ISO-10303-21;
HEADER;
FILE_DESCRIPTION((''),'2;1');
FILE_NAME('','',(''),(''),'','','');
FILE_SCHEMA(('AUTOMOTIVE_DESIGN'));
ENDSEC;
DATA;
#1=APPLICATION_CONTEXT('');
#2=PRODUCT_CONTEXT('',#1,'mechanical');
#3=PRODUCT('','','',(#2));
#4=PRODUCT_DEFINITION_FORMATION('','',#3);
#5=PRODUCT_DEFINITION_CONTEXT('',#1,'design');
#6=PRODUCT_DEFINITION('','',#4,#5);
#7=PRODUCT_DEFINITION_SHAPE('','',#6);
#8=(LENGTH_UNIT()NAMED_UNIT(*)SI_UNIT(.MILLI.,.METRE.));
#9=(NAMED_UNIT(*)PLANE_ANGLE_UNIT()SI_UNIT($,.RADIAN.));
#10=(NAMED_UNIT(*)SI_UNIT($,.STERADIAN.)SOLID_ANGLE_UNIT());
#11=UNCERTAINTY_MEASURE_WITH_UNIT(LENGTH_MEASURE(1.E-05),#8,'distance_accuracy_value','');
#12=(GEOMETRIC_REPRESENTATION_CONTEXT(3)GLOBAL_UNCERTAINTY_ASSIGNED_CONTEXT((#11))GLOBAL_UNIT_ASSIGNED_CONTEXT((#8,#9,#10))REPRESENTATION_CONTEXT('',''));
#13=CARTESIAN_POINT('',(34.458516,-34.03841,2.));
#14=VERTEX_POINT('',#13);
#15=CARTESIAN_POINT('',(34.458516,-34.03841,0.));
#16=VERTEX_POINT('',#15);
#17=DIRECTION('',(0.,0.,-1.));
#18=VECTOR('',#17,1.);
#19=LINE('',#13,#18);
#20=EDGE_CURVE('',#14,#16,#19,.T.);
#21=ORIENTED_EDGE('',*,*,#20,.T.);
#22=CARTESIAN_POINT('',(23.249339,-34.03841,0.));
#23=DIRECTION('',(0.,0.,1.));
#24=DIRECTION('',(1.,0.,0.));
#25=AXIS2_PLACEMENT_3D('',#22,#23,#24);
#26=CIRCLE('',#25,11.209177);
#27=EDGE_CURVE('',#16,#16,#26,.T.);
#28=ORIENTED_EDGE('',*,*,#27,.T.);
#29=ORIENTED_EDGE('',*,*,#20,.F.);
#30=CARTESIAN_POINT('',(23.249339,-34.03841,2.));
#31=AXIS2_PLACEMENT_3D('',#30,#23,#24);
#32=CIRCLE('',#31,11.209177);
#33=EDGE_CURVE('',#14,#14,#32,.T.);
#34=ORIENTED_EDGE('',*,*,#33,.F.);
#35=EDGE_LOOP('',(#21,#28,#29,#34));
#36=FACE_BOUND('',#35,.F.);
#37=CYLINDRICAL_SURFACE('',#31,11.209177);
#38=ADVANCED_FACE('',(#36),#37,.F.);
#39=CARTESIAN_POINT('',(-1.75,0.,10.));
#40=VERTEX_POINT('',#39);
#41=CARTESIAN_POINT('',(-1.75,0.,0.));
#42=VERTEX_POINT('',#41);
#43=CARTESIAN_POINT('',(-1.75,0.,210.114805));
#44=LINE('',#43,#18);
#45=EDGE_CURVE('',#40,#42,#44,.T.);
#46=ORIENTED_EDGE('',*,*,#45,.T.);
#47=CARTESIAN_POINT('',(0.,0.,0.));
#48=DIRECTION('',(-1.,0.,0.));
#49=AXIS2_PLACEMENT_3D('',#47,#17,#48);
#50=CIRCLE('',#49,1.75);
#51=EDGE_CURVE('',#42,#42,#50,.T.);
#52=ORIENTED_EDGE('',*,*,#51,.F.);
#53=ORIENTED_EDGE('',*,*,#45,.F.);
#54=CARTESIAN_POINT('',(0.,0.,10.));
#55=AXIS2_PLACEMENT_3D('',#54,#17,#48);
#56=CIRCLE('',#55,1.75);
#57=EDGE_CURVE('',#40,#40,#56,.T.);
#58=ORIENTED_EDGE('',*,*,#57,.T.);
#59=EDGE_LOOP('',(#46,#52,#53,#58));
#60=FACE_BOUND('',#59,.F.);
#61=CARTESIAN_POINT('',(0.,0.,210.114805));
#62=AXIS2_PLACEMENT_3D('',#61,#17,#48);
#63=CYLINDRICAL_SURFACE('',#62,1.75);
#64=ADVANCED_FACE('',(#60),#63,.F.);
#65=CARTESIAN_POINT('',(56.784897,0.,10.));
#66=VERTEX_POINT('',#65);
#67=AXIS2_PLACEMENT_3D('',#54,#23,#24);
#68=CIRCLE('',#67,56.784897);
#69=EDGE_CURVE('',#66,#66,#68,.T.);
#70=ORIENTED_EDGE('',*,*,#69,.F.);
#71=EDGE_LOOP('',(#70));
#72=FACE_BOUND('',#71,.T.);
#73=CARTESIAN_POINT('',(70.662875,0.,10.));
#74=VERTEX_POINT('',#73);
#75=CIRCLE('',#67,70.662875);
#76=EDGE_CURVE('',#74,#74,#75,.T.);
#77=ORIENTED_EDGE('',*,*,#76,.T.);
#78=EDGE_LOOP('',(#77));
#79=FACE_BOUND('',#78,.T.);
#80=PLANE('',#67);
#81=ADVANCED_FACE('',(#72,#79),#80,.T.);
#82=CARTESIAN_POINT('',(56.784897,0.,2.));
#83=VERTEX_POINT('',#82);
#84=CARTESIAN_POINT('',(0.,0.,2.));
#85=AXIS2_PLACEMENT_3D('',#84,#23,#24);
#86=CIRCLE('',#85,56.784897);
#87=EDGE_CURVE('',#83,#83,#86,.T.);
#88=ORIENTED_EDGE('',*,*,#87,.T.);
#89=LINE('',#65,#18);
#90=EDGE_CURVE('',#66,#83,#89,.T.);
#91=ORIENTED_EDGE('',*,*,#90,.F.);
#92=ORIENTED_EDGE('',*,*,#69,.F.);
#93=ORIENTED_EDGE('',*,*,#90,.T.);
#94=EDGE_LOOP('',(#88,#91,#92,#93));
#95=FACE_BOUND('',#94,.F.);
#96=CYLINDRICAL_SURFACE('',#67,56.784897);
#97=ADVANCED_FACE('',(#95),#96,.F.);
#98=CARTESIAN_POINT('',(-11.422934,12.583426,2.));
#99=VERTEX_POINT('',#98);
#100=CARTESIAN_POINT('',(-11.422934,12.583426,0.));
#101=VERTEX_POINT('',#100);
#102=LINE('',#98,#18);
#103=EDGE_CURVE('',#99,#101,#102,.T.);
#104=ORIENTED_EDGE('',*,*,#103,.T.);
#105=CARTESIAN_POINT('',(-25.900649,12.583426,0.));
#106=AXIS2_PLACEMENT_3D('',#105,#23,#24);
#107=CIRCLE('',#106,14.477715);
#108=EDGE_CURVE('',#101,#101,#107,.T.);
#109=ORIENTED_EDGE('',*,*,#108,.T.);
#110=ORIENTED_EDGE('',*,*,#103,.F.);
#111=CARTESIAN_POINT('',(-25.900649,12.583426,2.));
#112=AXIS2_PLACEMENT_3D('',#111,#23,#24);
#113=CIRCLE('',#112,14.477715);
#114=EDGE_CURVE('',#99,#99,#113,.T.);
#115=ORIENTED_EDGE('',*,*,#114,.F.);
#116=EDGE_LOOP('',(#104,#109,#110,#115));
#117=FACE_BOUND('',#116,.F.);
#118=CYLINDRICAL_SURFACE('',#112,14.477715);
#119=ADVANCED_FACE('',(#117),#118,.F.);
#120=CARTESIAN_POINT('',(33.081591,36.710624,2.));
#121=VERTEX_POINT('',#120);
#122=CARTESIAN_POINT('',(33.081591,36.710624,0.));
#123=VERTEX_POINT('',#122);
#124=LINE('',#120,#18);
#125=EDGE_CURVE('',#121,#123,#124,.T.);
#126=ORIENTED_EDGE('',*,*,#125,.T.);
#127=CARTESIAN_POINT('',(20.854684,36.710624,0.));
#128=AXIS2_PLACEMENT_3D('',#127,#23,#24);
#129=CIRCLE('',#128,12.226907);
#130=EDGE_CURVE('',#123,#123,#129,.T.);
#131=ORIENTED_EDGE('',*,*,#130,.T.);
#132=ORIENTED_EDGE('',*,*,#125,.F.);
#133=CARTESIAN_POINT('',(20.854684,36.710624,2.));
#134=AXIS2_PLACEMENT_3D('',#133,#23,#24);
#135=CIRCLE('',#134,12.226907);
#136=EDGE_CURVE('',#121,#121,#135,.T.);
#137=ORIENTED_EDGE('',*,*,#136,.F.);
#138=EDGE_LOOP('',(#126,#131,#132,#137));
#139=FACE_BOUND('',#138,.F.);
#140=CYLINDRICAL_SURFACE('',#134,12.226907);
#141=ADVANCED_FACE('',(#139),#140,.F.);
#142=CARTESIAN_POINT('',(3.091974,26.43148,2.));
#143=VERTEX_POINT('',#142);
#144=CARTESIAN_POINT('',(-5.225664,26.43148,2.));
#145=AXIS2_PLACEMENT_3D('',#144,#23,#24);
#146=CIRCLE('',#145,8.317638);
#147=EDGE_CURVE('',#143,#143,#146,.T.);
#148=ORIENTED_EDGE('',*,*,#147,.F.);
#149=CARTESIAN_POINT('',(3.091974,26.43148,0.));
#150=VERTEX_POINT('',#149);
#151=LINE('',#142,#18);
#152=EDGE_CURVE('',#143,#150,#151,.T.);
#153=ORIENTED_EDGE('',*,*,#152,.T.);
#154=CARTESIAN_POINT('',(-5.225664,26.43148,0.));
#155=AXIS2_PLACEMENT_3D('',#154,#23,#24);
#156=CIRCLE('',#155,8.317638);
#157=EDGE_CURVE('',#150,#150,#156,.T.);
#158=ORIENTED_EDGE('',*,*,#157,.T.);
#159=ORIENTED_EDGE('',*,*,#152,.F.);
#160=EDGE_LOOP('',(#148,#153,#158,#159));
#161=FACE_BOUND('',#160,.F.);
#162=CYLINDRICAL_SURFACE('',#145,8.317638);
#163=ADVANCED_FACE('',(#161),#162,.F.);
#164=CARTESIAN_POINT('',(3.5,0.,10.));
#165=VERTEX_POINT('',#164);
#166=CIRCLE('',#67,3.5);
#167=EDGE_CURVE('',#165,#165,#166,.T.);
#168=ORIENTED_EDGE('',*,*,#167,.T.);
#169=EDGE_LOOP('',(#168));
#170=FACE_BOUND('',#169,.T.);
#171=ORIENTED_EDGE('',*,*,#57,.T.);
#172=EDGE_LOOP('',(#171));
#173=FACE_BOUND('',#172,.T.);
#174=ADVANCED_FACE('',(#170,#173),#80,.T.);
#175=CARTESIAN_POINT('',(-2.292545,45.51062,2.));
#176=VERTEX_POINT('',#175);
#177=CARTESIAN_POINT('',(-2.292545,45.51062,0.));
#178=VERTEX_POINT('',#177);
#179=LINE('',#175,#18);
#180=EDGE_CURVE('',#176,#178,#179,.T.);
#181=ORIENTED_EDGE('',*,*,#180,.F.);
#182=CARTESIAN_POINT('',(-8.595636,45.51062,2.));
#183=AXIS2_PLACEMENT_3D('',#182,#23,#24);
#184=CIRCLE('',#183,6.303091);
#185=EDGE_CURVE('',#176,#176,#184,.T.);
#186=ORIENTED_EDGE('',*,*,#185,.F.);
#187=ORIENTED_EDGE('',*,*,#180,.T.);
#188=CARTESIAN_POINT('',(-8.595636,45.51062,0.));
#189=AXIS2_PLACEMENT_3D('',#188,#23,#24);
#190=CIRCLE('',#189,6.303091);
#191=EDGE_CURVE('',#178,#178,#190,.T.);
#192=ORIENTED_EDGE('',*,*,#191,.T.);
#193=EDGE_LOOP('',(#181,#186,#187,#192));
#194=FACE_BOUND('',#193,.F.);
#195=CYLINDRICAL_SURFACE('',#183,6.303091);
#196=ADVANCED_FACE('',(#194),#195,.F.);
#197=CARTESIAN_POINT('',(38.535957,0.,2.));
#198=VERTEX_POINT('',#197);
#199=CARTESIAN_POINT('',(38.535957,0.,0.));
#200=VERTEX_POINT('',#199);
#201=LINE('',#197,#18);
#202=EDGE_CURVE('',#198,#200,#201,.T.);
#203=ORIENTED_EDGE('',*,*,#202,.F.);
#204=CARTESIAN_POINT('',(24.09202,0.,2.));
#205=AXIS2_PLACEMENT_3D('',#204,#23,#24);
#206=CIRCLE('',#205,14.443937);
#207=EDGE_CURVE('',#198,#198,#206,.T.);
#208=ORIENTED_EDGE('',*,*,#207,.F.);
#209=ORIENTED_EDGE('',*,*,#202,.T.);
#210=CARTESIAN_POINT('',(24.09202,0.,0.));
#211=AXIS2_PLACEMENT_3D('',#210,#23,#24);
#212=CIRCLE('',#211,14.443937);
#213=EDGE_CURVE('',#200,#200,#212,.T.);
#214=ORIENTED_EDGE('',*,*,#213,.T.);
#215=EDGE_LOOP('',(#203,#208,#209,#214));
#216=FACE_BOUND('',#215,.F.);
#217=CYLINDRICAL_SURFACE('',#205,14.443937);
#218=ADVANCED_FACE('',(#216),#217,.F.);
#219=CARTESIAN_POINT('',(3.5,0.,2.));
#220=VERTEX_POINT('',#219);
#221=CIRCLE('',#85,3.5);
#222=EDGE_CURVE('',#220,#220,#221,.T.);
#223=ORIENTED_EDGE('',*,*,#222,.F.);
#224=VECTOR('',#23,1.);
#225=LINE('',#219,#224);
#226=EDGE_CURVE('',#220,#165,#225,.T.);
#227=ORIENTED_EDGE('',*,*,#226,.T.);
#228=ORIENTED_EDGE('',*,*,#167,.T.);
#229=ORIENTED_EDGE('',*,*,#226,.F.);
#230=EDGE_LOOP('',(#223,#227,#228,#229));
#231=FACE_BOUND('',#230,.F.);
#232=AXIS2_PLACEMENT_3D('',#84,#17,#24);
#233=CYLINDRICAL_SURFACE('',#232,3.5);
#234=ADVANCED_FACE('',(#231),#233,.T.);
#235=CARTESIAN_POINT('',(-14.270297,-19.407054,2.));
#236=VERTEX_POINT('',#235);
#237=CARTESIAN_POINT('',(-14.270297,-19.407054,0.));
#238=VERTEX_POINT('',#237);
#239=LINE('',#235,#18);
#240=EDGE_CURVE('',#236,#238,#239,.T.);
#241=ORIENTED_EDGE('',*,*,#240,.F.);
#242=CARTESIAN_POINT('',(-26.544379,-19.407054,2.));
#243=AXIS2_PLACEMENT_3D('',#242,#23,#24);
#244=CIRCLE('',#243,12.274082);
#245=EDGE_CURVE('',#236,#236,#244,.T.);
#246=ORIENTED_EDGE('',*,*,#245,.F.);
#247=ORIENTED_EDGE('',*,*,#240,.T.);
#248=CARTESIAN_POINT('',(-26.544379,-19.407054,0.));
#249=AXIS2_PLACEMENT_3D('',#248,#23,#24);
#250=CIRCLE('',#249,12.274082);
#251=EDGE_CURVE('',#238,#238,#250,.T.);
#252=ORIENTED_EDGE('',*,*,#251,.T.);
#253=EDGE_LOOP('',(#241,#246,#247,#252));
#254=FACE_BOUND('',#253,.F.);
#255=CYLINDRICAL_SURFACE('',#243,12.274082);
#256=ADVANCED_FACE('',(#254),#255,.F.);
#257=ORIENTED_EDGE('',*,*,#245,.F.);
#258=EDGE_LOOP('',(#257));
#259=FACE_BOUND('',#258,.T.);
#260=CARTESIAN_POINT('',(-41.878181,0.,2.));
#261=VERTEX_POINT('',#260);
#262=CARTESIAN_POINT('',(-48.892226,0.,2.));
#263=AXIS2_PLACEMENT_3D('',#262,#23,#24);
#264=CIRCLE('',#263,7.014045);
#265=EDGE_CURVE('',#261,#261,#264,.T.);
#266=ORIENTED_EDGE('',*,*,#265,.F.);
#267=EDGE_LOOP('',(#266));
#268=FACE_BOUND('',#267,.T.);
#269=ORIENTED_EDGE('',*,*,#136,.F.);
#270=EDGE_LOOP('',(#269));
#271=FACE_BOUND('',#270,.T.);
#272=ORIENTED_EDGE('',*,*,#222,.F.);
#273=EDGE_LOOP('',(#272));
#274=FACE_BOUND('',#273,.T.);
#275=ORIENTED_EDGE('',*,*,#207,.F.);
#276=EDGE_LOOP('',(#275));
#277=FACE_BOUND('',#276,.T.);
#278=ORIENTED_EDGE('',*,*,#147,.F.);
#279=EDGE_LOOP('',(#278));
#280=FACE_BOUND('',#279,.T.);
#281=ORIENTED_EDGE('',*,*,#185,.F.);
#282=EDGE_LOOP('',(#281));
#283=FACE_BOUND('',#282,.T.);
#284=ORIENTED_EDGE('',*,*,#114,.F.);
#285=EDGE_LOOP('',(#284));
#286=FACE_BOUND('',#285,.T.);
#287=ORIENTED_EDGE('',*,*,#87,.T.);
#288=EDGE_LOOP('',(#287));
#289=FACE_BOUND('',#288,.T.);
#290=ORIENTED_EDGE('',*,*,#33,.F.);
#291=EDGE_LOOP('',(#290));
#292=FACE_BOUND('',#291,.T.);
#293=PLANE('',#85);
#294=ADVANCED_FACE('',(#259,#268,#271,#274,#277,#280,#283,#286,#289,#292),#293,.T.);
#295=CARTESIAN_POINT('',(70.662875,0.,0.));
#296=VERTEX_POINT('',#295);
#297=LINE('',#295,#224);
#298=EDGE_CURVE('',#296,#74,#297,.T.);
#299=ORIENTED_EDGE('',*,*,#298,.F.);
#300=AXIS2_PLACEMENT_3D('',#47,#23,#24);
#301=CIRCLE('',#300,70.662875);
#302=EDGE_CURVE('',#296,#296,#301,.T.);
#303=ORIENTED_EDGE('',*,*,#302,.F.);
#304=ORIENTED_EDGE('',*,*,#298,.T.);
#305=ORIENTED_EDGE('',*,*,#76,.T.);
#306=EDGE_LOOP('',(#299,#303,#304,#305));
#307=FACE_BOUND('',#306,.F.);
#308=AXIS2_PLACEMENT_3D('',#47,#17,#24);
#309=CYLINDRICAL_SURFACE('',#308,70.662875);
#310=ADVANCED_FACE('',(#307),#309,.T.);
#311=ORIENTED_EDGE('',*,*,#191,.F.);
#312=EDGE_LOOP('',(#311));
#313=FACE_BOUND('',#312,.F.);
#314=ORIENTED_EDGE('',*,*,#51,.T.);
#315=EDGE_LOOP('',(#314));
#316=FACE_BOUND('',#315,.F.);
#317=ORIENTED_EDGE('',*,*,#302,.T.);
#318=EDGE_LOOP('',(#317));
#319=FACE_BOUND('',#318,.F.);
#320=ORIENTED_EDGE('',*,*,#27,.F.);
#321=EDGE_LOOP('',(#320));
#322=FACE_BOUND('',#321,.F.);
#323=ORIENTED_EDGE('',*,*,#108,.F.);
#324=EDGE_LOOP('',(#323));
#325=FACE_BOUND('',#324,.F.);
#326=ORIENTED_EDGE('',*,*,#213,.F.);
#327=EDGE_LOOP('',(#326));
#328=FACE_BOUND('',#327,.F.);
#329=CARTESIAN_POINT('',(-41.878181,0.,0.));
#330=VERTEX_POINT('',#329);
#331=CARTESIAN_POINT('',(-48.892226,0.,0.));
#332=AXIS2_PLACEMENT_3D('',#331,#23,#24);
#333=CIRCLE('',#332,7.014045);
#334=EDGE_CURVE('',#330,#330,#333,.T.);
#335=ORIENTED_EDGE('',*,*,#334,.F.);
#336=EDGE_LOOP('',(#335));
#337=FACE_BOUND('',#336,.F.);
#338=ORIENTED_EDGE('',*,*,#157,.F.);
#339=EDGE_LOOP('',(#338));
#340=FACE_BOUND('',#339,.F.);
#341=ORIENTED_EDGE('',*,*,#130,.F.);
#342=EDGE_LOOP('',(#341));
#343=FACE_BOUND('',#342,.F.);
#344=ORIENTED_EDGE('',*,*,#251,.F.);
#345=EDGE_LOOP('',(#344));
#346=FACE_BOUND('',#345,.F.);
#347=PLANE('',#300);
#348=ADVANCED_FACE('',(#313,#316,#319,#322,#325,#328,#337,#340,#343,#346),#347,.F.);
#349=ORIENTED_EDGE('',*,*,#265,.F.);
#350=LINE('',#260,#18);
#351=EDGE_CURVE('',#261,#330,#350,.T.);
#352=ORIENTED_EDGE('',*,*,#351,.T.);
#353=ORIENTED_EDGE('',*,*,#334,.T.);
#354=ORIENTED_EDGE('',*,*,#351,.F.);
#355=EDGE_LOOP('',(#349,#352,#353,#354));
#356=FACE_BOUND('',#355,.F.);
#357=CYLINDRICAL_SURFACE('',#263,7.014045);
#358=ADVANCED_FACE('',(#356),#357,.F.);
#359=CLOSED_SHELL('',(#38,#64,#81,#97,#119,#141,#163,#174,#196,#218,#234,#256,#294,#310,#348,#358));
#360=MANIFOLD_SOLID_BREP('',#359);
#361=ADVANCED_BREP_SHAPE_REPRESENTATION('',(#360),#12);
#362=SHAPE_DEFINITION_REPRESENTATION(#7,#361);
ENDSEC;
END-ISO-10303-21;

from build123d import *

# Parameters (mm, degrees)
F0_R      = 70.662875
F1_DEPTH  = 10
F2_R      = 56.784897
F3_DEPTH  = 8
F4_R      = 14.477715
F5_DEPTH  = 8
F6_R      = 12.226907
F7_DEPTH  = 8
F8_R      = 7.014045
F9_DEPTH  = 8
F10_R     = 14.443937
F11_DEPTH = 8
F13_R     = 6.303091
F14_DEPTH = 8
F15_R     = 8.317638
F16_DEPTH = 8
F17_R     = 6.025281
F18_DEPTH = 8
F19_R     = 11.209177
F20_DEPTH = 8
F12_R     = 3.5
F21_DEPTH = 8
F23_D     = 3.5
F24_R     = 12.274082
F25_DEPTH = 8


with BuildPart() as f1:
    # F0 (on Top) → F1 (new body)
    with BuildSketch(Plane.XY):
        Circle(F0_R)
    extrude(amount=F1_DEPTH)

    # F2 (on face) → F3 (cut)
    with BuildSketch(Plane.XY.offset(10)):
        Circle(F2_R)
    extrude(amount=-F3_DEPTH, mode=Mode.SUBTRACT)

    # F4 (on face) → F5 (cut)
    with BuildSketch(Plane.XY.offset(2)):
        with Locations((-25.900649, 12.583426)):
            Circle(F4_R)
    extrude(amount=-F5_DEPTH, mode=Mode.SUBTRACT)

    # F6 (on face) → F7 (cut)
    with BuildSketch(Plane.XY.offset(2)):
        with Locations((20.854684, 36.710624)):
            Circle(F6_R)
    extrude(amount=-F7_DEPTH, mode=Mode.SUBTRACT)

    # F8 (on face) → F9 (cut)
    with BuildSketch(Plane.XY.offset(2)):
        with Locations((-48.892226, 0)):
            Circle(F8_R)
    extrude(amount=-F9_DEPTH, mode=Mode.SUBTRACT)

    # F10 (on face) → F11 (cut)
    with BuildSketch(Plane.XY.offset(2)):
        with Locations((24.09202, 0)):
            Circle(F10_R)
    extrude(amount=-F11_DEPTH, mode=Mode.SUBTRACT)

    # F13 (on face) → F14 (cut)
    with BuildSketch(Plane.XY.offset(2)):
        with Locations((-8.595636, 45.51062)):
            Circle(F13_R)
    extrude(amount=-F14_DEPTH, mode=Mode.SUBTRACT)

    # F15 (on face) → F16 (cut)
    with BuildSketch(Plane.XY.offset(2)):
        with Locations((-5.225664, 26.43148)):
            Circle(F15_R)
    extrude(amount=-F16_DEPTH, mode=Mode.SUBTRACT)

    # F17 (on Top) → F18 (cut)
    with BuildSketch(Plane.XY):
        with Locations((14.564808, -20.261167)):
            Circle(F17_R)
    extrude(amount=-F18_DEPTH, mode=Mode.SUBTRACT)

    # F19 (on face) → F20 (cut)
    with BuildSketch(Plane.XY.offset(2)):
        with Locations((23.249339, -34.03841)):
            Circle(F19_R)
    extrude(amount=-F20_DEPTH, mode=Mode.SUBTRACT)

    # F12 (on face) → F21 (join)
    with BuildSketch(Plane.XY.offset(2)):
        Circle(F12_R)
    extrude(amount=F21_DEPTH)

    # F23 (through all)
    with Locations(Plane.XY.offset(10)):
        with Locations((0, 0)):
            Hole(F23_D / 2)

    # F24 (on face) → F25 (cut)
    with BuildSketch(Plane.XY.offset(2)):
        with Locations((-26.544379, -19.407054)):
            Circle(F24_R)
    extrude(amount=-F25_DEPTH, mode=Mode.SUBTRACT)


solid = f1.part
